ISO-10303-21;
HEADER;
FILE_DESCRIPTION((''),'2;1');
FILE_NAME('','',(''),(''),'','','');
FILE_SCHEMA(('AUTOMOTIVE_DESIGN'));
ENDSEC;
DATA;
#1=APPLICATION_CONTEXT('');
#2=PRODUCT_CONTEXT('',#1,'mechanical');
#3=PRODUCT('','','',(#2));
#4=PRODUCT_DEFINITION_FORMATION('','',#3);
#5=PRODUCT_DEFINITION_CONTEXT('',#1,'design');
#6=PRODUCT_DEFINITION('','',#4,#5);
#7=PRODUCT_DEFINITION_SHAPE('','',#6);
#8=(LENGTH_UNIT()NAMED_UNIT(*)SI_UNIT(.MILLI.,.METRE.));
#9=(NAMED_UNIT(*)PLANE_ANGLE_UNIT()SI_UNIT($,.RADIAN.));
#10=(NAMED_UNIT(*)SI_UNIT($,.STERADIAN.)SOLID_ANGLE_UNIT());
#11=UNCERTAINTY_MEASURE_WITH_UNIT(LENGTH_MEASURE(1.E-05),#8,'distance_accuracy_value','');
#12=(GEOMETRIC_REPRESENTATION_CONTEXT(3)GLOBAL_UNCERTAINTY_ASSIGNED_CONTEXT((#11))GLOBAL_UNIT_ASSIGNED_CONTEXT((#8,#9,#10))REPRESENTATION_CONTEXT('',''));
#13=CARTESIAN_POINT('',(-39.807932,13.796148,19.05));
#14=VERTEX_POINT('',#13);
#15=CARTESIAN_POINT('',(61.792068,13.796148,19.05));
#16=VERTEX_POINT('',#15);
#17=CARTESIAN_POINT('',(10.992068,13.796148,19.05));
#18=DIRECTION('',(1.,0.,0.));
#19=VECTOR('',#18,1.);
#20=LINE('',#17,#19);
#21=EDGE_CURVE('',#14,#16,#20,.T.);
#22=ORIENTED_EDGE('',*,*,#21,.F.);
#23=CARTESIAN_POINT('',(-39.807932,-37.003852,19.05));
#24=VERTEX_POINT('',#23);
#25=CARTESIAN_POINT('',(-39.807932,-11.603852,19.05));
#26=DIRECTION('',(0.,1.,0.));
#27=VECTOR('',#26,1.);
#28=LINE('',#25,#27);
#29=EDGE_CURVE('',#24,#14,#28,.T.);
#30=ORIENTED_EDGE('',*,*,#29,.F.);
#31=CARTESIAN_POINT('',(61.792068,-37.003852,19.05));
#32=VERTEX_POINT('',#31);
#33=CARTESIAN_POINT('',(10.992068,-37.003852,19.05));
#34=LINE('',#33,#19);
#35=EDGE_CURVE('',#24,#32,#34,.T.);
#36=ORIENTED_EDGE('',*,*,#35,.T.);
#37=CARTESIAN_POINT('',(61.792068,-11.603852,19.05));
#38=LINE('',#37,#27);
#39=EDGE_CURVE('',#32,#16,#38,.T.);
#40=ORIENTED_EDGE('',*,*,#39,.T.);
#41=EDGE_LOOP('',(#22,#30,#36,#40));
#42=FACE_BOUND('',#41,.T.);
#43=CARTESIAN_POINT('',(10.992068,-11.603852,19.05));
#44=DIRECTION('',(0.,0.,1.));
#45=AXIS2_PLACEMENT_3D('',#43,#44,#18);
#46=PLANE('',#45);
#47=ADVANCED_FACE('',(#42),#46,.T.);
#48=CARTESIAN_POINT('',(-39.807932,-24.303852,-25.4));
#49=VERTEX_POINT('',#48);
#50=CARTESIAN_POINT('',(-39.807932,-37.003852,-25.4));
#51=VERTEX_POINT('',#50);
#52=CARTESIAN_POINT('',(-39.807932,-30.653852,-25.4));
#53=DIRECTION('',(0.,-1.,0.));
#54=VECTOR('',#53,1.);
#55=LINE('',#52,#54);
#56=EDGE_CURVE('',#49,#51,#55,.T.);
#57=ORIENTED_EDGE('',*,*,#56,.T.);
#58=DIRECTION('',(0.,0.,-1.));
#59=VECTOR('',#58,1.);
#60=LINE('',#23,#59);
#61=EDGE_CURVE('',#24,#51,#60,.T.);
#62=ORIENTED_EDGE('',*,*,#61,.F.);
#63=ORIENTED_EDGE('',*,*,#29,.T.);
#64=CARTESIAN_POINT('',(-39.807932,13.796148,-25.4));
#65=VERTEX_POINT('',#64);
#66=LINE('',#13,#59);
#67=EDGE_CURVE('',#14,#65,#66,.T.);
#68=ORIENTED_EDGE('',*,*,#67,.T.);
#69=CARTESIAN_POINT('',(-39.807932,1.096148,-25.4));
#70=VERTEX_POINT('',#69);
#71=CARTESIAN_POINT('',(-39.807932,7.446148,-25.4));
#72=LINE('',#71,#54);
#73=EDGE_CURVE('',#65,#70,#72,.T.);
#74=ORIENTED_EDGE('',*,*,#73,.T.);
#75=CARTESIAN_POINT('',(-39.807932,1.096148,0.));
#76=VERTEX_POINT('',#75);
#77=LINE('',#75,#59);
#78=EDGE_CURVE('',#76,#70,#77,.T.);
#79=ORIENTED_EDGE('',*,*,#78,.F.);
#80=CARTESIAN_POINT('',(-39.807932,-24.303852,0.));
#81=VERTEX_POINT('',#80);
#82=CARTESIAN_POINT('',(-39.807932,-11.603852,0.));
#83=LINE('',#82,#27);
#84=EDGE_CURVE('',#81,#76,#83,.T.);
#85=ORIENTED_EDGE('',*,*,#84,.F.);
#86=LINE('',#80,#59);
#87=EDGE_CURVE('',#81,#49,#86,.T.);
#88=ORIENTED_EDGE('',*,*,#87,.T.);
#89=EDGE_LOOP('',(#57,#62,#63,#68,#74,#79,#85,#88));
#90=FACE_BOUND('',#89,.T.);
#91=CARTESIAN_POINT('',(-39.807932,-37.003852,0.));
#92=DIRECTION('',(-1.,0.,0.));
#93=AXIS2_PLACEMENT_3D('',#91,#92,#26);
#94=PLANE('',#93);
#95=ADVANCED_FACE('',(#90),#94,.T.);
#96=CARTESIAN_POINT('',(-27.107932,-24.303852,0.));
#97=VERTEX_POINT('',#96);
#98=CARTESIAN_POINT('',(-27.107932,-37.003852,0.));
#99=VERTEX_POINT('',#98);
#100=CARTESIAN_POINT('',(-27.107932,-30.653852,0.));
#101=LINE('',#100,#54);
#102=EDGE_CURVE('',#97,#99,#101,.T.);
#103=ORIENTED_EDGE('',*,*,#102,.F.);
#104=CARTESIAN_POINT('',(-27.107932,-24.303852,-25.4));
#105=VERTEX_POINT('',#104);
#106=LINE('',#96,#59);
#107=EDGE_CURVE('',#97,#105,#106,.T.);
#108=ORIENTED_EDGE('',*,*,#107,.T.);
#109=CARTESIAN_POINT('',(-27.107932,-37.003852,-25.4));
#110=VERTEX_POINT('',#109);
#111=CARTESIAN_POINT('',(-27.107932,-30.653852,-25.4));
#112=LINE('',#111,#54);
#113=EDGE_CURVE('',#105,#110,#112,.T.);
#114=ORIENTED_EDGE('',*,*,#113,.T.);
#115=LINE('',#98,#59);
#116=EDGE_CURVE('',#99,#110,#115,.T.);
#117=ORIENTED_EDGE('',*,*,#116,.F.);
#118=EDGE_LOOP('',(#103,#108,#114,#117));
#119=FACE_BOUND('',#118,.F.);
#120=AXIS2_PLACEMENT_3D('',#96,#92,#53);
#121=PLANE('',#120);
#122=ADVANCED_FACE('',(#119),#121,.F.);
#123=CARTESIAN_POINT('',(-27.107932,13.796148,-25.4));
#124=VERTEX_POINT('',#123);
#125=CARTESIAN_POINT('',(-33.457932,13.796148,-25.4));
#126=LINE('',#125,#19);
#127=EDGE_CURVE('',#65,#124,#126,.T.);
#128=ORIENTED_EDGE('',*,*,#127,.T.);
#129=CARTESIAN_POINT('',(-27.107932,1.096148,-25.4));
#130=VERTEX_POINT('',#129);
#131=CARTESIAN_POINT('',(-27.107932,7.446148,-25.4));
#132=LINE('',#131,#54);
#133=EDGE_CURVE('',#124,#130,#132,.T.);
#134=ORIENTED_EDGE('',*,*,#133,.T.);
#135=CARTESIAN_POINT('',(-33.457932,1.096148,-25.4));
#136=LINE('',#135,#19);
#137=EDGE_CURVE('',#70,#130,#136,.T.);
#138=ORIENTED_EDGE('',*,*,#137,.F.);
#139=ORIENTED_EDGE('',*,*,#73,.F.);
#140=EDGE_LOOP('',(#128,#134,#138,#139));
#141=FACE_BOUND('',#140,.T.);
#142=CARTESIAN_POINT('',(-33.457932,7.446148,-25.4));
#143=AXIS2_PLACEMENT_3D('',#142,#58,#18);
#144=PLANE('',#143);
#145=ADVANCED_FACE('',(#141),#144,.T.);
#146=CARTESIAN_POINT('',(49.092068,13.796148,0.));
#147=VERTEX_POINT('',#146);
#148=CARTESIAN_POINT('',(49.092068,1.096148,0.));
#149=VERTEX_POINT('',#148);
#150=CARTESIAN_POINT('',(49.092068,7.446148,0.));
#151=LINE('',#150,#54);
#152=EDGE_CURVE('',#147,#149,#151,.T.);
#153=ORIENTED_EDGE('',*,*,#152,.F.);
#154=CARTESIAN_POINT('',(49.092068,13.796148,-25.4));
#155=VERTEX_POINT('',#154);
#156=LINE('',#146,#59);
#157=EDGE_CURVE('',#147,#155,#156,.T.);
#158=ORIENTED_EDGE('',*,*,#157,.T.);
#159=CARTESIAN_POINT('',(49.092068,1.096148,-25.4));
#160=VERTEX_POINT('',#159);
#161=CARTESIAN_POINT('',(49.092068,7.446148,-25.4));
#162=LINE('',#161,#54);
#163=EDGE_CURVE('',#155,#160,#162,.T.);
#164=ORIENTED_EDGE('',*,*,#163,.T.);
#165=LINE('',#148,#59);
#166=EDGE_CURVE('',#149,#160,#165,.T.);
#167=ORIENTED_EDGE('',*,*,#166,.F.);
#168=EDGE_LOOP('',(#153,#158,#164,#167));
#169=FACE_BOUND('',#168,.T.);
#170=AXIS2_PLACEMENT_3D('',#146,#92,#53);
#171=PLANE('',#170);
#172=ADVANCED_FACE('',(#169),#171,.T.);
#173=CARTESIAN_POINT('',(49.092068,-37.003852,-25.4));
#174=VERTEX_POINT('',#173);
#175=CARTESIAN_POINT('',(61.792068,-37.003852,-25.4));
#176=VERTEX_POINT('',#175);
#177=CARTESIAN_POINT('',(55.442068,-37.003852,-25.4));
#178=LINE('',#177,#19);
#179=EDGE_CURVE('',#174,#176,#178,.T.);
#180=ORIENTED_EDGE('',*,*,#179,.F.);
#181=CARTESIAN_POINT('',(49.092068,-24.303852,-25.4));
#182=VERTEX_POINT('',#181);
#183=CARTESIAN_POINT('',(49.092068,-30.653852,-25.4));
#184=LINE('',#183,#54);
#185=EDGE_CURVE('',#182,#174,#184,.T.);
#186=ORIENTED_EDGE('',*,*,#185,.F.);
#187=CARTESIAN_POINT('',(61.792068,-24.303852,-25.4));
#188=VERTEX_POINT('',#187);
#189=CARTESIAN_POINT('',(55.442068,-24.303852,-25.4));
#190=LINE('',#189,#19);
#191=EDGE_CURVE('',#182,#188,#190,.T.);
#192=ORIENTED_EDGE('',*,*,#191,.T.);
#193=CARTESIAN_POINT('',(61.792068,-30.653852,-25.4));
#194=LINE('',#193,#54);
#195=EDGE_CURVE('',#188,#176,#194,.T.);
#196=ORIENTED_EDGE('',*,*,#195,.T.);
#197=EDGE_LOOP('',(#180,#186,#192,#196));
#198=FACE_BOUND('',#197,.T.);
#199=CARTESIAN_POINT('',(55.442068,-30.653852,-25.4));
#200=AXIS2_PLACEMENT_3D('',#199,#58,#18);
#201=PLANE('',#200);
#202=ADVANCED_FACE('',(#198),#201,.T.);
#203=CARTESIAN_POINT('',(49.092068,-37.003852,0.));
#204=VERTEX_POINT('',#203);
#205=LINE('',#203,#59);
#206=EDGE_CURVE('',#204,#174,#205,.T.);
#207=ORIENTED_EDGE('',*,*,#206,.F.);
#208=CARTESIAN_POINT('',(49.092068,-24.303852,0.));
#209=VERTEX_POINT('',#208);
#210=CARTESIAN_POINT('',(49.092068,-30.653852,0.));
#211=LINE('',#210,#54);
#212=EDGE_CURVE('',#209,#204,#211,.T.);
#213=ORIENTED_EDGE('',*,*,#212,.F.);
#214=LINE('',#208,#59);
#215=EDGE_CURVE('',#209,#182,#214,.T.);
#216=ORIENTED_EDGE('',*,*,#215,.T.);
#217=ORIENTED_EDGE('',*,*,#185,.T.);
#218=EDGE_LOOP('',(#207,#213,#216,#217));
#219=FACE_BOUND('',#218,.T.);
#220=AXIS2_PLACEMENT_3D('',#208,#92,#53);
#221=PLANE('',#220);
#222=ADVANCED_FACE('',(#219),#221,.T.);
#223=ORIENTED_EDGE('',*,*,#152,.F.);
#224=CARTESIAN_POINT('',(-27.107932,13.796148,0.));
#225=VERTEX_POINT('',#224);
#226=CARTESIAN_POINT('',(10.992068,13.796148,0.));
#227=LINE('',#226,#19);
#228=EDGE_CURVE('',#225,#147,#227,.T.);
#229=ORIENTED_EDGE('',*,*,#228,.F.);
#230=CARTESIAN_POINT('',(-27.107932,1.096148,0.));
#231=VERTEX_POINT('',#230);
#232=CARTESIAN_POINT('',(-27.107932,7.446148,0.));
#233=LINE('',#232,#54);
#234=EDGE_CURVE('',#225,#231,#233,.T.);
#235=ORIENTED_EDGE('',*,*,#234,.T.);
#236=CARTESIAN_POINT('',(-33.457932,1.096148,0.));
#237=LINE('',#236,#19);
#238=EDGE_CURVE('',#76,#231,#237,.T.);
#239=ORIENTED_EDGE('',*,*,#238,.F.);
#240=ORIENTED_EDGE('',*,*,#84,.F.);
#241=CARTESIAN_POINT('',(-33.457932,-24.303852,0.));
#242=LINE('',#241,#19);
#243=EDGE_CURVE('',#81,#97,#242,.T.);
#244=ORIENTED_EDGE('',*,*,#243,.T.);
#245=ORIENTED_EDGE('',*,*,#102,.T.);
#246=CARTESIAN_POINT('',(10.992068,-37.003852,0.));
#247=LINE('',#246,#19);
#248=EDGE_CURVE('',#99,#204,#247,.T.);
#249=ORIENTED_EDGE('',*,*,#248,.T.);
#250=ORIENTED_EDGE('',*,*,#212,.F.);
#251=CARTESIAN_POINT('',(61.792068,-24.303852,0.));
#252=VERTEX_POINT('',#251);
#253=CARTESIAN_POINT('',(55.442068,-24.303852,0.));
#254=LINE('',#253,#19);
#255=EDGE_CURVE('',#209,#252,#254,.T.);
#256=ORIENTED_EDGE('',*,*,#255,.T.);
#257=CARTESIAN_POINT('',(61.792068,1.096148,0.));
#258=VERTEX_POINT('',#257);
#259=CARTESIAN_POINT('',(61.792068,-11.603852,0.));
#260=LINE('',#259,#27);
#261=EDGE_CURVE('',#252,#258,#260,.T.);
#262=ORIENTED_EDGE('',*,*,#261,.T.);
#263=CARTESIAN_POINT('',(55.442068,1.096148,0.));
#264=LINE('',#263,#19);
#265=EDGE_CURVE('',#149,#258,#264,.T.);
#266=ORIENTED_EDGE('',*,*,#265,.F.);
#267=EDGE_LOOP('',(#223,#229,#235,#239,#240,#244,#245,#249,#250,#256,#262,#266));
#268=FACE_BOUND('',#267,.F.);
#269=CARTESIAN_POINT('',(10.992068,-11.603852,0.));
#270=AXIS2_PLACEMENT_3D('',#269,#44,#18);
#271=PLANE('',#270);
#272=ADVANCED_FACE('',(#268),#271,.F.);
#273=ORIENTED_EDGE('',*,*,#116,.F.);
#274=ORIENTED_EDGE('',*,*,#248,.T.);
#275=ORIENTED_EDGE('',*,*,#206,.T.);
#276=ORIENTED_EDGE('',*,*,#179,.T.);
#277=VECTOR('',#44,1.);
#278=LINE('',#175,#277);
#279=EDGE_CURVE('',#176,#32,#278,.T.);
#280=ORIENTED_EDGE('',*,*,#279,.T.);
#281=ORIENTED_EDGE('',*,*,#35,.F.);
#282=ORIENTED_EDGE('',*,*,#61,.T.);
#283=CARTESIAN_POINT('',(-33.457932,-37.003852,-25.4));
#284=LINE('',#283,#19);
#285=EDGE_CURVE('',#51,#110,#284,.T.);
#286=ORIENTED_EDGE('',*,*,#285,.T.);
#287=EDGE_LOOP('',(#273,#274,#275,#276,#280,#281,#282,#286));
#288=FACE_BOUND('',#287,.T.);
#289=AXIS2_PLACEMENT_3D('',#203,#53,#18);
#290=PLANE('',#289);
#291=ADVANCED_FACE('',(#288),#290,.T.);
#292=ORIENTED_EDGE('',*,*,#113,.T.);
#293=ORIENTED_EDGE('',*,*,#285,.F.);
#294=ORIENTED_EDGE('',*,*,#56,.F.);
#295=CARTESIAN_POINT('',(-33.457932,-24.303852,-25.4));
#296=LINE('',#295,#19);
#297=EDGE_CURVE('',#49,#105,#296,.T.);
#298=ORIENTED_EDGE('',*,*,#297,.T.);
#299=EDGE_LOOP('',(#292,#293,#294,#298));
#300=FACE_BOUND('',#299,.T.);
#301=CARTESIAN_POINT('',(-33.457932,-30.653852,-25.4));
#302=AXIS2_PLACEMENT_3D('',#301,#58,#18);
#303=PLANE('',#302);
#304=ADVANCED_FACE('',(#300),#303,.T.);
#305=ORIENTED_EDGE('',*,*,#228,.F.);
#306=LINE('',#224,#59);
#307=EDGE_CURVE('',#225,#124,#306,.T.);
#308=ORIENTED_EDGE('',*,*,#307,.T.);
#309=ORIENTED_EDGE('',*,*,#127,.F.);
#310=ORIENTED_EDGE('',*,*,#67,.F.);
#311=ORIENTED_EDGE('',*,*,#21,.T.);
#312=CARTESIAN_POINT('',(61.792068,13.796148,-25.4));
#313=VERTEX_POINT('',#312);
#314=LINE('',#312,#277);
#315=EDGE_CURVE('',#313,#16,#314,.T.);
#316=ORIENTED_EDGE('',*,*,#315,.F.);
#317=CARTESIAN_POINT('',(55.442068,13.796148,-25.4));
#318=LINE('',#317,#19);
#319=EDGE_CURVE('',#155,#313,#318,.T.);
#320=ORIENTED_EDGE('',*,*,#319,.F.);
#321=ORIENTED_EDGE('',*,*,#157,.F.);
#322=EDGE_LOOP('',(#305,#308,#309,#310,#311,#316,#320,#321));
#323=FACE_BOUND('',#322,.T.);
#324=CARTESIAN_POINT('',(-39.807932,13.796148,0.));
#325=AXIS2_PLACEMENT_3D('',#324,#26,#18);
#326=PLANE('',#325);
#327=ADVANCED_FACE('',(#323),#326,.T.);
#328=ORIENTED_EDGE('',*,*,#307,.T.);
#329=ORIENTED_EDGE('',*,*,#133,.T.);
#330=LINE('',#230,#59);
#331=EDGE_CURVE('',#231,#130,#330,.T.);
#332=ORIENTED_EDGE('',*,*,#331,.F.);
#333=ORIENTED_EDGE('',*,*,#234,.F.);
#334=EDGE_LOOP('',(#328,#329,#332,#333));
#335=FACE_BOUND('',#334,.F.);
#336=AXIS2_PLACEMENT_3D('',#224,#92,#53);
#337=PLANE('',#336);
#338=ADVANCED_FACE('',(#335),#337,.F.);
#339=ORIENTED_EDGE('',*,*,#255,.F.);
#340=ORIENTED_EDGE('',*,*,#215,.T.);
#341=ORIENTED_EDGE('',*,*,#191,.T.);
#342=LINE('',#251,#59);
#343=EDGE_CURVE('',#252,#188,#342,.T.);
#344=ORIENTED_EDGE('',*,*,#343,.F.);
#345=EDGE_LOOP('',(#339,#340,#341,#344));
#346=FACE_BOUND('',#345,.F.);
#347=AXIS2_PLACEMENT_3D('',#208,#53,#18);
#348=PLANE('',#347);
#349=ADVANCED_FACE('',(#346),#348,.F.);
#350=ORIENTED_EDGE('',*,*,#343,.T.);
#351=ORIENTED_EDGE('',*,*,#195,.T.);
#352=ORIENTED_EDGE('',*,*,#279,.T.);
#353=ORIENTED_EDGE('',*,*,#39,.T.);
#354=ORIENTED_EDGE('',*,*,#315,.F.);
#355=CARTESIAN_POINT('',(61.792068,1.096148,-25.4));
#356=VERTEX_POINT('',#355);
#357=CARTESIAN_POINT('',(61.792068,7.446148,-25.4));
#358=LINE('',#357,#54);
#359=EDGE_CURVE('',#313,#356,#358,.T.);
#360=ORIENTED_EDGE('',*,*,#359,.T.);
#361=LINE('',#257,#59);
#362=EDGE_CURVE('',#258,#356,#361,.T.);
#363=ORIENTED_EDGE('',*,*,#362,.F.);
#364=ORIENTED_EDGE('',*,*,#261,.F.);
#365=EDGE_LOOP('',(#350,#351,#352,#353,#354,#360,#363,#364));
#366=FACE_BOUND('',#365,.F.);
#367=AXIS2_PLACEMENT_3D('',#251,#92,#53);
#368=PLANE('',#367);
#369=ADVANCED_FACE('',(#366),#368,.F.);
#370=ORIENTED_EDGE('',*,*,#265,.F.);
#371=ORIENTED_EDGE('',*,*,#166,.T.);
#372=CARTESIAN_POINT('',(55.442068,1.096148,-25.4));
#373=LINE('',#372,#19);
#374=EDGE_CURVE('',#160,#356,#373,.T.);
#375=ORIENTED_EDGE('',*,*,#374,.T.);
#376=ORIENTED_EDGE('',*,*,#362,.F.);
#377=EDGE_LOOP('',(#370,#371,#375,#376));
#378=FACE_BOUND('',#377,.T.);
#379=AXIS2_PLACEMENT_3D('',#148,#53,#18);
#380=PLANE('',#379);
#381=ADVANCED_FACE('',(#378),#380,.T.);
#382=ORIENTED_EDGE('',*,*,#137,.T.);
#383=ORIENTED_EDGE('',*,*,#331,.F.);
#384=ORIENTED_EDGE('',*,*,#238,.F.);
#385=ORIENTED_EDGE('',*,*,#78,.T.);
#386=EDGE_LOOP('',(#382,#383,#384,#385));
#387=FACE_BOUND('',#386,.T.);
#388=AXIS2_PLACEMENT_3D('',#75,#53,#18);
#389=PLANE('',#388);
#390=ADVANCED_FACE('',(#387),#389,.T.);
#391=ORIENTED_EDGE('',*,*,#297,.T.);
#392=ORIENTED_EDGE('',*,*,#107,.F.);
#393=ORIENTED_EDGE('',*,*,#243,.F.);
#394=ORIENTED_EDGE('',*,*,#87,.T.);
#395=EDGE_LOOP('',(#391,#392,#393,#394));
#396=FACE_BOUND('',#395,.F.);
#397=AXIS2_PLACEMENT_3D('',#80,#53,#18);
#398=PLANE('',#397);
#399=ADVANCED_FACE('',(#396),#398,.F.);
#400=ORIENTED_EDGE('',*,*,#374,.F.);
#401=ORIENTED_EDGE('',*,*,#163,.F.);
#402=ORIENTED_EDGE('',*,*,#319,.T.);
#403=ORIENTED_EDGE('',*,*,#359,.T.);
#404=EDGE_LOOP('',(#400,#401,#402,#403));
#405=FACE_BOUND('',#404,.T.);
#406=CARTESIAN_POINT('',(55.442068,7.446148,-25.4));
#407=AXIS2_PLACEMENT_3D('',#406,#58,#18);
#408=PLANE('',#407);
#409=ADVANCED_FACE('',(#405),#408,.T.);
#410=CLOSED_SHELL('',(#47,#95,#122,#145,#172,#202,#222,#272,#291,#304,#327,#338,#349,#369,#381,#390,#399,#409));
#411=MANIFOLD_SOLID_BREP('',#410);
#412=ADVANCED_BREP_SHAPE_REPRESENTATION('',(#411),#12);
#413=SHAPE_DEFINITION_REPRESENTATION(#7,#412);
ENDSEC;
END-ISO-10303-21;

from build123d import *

# Parameters (mm, degrees)
F0_W     = 101.6
F0_H     = 50.8
F1_DEPTH = 19.05
F2_W     = 12.7
F2_H     = 12.7
F3_DEPTH = 25.4


with BuildPart() as f1:
    # F0 (on Top) → F1 (new body)
    with BuildSketch(Plane.XY):
        with Locations((10.992068, -11.603852)):
            Rectangle(F0_W, F0_H)
    extrude(amount=F1_DEPTH)

    # F2 (on face) → F3 (join)
    with BuildSketch(Plane(origin=(0, 0, 0), x_dir=(1, 0, 0), z_dir=(0, 0, -1))):
        with Locations((55.442068, 30.653852)):
            Rectangle(F2_W, F2_H)
        with Locations((55.442068, -7.446148)):
            Rectangle(F2_W, F2_H)
        with Locations((-33.457932, -7.446148)):
            Rectangle(F2_W, F2_H)
        with Locations((-33.457932, 30.653852)):
            Rectangle(F2_W, F2_H)
    extrude(amount=F3_DEPTH)


solid = f1.part
